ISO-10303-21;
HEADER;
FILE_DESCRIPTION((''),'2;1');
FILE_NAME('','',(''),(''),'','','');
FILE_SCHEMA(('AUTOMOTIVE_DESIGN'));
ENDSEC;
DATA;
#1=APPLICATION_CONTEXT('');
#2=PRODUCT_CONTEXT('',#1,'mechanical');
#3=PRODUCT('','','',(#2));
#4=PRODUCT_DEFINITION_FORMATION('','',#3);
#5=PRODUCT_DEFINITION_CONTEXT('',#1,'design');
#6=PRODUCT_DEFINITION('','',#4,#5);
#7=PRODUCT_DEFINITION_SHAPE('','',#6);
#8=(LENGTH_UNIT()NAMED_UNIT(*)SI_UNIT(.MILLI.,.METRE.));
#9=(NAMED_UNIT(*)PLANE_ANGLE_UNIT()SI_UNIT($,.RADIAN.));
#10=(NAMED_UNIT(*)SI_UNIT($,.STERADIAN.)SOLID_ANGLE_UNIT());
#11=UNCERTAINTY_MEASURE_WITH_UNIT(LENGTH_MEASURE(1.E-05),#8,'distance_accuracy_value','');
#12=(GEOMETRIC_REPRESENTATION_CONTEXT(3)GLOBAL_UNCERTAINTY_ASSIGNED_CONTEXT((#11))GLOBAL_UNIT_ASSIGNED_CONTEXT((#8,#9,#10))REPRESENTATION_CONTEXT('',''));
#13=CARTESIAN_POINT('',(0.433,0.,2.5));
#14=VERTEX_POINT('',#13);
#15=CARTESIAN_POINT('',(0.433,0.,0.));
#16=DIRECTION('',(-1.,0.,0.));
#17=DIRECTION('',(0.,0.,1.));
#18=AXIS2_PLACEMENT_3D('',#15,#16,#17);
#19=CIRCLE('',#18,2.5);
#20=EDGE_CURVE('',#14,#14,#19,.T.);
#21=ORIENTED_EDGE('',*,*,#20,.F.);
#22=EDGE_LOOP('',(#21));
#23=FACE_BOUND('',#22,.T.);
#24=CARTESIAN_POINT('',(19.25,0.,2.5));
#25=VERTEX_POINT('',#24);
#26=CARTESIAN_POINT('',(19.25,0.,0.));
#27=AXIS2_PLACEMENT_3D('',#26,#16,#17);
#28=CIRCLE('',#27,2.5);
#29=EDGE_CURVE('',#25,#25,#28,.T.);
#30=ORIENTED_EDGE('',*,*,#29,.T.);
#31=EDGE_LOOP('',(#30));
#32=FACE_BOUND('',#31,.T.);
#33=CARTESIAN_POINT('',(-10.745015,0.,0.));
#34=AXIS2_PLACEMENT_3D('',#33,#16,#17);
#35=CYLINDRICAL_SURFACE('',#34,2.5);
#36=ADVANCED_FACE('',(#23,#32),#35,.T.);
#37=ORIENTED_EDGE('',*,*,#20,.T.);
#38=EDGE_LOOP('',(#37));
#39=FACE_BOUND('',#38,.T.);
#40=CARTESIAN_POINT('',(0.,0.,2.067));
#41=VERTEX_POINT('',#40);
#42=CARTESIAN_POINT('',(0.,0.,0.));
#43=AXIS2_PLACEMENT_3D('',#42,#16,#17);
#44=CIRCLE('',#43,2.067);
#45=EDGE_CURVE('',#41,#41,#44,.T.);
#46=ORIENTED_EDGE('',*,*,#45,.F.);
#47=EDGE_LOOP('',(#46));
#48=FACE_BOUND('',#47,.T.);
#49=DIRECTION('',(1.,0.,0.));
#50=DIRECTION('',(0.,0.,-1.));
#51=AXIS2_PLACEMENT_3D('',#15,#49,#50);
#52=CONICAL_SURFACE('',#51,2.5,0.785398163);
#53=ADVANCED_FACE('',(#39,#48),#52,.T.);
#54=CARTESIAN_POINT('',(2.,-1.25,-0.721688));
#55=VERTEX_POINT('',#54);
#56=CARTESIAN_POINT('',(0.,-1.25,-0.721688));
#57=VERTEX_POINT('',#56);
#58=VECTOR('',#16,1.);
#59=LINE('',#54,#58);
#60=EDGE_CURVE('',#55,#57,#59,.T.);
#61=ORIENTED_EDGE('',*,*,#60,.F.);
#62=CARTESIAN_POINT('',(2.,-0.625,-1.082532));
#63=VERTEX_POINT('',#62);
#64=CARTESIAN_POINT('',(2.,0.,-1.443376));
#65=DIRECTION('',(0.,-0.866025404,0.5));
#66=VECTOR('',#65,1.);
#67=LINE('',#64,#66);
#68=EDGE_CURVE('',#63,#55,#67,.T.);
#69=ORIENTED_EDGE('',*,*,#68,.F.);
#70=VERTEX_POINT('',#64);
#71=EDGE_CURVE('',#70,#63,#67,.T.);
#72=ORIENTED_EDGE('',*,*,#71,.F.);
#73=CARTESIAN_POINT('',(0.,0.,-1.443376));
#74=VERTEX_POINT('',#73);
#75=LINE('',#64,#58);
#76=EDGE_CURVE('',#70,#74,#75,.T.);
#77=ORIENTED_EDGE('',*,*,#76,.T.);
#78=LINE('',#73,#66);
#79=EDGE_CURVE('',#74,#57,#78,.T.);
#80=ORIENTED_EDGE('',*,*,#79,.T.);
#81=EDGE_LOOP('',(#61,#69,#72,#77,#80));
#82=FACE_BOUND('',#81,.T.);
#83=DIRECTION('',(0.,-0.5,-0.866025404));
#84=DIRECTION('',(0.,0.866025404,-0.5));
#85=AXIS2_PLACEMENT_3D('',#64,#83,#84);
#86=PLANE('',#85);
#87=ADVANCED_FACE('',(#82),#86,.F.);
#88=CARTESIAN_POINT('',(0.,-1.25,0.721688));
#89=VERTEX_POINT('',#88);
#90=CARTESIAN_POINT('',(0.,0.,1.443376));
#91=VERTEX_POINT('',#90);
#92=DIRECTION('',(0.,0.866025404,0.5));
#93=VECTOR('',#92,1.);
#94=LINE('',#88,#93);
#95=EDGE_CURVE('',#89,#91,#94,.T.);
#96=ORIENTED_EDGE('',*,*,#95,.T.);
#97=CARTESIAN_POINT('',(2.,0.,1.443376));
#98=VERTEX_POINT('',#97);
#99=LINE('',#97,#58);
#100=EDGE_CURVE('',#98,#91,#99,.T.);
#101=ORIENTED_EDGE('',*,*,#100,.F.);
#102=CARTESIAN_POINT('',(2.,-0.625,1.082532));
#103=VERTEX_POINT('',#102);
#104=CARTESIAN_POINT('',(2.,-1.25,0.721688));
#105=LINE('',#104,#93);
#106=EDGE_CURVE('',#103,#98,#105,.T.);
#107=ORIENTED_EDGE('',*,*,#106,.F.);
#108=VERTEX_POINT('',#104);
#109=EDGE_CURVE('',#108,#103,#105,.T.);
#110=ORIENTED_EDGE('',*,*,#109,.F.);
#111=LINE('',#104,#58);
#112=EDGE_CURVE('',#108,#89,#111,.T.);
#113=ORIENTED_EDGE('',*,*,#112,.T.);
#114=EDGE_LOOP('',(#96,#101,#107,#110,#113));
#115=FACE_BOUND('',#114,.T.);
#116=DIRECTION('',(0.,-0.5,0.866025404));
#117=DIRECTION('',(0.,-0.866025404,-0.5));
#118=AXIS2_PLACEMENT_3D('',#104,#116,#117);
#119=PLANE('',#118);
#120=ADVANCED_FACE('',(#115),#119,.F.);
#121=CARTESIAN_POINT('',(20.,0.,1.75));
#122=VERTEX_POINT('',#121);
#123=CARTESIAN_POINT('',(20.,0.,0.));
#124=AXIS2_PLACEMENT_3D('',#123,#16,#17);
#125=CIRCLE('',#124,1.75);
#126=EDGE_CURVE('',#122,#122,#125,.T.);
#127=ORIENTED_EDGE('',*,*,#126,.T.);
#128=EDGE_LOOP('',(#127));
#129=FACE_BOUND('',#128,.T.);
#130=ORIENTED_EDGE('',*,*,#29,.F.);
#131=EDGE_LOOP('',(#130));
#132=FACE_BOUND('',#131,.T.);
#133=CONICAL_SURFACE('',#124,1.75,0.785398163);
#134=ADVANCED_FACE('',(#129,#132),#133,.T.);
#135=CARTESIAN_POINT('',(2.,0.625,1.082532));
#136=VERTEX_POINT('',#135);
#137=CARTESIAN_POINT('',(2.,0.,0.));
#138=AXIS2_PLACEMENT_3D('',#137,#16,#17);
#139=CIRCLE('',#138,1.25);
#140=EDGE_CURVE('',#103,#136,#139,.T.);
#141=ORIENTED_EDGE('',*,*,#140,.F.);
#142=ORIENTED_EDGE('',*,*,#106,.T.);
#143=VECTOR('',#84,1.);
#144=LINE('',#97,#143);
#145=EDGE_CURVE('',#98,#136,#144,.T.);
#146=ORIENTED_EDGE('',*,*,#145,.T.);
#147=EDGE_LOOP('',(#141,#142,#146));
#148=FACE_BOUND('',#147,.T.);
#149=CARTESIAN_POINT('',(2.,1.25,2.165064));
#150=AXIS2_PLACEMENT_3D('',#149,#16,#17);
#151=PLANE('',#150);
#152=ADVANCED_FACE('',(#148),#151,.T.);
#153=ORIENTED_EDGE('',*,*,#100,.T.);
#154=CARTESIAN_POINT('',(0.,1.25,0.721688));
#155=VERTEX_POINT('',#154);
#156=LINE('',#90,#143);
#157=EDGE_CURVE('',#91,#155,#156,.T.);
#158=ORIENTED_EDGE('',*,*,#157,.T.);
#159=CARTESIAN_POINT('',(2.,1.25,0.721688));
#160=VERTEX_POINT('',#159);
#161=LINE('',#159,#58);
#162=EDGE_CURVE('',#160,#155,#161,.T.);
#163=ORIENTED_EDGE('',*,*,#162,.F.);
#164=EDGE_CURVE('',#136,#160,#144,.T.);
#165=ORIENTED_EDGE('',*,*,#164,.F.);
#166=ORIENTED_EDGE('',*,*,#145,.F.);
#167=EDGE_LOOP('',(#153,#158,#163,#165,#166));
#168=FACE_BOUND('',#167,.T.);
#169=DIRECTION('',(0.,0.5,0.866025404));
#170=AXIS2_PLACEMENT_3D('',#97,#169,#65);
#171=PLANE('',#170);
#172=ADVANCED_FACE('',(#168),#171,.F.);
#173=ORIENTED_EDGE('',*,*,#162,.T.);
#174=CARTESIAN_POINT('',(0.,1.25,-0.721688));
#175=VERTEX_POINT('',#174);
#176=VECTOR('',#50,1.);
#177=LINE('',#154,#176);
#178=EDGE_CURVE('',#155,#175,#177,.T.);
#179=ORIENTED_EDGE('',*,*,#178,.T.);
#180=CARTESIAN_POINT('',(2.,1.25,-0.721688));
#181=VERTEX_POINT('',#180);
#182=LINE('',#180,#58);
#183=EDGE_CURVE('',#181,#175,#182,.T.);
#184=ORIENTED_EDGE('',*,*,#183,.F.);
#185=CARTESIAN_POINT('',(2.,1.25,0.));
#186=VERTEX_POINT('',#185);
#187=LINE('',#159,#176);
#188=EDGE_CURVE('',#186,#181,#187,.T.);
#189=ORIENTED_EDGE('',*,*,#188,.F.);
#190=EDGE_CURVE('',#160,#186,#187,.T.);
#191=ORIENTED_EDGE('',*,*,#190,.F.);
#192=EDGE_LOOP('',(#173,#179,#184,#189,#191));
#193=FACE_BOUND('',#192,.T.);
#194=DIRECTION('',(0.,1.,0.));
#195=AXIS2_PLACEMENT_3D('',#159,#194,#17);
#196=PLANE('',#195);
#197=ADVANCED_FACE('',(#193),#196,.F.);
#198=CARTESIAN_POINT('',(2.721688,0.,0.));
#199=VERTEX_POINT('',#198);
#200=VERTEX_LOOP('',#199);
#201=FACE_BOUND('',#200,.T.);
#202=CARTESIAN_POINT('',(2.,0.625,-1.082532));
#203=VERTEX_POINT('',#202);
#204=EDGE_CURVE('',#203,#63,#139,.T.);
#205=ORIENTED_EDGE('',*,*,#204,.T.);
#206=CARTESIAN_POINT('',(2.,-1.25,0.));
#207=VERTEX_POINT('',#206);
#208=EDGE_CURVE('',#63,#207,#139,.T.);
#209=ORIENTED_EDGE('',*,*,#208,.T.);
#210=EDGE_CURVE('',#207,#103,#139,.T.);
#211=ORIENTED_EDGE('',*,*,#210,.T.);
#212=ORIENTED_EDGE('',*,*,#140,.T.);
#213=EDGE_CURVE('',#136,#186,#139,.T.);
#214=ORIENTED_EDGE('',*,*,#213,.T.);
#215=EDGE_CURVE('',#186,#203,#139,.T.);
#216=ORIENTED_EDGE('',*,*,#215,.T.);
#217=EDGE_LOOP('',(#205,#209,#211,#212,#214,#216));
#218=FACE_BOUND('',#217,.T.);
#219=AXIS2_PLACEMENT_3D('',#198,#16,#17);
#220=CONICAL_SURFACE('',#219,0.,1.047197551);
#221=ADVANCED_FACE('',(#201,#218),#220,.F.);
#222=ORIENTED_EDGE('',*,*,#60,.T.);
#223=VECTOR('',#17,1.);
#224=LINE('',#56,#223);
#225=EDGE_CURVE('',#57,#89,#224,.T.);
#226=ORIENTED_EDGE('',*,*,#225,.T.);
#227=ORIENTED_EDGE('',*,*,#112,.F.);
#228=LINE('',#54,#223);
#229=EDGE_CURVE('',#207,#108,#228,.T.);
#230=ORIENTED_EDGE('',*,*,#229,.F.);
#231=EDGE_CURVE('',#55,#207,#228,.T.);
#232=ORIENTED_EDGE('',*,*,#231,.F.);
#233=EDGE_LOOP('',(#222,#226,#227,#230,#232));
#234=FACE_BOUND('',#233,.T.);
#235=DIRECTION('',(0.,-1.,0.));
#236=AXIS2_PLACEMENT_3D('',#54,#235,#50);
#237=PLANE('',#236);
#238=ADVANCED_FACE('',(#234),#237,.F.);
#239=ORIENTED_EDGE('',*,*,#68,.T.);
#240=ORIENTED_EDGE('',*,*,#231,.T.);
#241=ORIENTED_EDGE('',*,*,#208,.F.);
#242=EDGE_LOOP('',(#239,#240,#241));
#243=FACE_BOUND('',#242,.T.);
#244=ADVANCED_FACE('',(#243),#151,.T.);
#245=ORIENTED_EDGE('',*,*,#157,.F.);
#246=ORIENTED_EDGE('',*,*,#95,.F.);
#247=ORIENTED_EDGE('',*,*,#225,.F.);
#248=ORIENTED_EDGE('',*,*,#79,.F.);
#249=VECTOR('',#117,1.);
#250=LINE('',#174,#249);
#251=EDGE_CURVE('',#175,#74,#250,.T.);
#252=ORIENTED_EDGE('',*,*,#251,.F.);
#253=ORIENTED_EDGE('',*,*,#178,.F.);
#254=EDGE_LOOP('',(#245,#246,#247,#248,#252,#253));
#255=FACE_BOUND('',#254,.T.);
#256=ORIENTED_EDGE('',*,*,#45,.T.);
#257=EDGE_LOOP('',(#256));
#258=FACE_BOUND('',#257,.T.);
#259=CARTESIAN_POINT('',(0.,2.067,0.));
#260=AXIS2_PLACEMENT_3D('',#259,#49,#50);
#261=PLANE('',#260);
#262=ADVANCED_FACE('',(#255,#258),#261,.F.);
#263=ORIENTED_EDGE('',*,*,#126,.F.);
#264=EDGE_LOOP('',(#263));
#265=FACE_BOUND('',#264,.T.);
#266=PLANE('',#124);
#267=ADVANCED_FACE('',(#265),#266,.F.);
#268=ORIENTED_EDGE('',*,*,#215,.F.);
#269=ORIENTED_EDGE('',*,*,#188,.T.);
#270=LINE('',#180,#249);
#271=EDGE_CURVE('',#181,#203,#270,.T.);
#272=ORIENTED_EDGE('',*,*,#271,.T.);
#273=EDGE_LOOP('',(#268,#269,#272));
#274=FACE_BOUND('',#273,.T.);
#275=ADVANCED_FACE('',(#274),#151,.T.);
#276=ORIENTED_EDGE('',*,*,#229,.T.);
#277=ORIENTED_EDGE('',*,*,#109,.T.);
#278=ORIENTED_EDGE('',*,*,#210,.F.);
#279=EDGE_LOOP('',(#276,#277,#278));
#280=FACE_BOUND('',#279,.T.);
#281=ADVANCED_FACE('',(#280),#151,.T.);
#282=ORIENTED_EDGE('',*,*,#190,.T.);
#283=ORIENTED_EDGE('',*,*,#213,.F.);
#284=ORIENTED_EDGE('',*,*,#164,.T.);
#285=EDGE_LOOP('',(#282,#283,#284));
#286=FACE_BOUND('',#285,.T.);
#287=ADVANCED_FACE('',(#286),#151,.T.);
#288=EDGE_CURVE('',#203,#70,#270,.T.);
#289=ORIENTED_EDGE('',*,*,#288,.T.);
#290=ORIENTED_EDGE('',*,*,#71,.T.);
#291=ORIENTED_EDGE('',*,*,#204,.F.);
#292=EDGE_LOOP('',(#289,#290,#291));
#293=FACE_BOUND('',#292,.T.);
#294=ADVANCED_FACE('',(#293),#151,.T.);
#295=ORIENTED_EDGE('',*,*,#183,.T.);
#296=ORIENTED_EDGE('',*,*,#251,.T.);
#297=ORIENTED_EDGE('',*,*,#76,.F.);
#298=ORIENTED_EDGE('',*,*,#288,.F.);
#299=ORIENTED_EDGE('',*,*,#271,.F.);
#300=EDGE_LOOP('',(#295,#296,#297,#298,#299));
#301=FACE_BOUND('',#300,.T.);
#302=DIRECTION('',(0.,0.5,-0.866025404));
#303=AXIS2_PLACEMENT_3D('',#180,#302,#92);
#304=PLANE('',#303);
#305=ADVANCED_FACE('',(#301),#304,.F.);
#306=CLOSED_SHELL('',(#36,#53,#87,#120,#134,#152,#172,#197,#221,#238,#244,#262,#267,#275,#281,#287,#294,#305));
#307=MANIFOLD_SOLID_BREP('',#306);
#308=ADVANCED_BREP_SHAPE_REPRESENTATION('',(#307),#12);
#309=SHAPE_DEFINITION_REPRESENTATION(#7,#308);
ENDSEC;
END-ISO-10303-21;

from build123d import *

# Parameters (mm, degrees)
HEXAGONSOCKET_DEPTH = 2


with BuildPart() as part:
    # Sketch1 → Base (revolve)
    with BuildSketch(Plane.XY):
        Polygon((0, 0), (20, 0), (20, 1.75), (19.25, 2.5), (0.433, 2.5), (0, 2.067), align=None)
    revolve(axis=Axis((-10.745014543, 0, 0), (1, 0, 0)))

    # Sketch2 → HexagonSocket (cut)
    with BuildSketch(Plane(origin=(0, -0.021932325, 0.010138848), x_dir=(0, 0, 1), z_dir=(-1, 0, 0))):
        Polygon((1.433236825, 0.021932325), (0.711548988, 1.271932325), (-0.731826685, 1.271932325), (-1.453514521, 0.021932325), (-0.731826685, -1.228067675), (0.711548988, -1.228067675), align=None)
    extrude(amount=-HEXAGONSOCKET_DEPTH, mode=Mode.SUBTRACT)

    # Sketch3 → Cut-Revolve1 (revolve, cut)
    with BuildSketch(Plane.XY):
        Polygon((2, 1.25), (2.721687837, 0), (2, 0), align=None)
    revolve(axis=Axis((-3.144113667, 0, 0), (1, 0, 0)), mode=Mode.SUBTRACT)


solid = part.part
